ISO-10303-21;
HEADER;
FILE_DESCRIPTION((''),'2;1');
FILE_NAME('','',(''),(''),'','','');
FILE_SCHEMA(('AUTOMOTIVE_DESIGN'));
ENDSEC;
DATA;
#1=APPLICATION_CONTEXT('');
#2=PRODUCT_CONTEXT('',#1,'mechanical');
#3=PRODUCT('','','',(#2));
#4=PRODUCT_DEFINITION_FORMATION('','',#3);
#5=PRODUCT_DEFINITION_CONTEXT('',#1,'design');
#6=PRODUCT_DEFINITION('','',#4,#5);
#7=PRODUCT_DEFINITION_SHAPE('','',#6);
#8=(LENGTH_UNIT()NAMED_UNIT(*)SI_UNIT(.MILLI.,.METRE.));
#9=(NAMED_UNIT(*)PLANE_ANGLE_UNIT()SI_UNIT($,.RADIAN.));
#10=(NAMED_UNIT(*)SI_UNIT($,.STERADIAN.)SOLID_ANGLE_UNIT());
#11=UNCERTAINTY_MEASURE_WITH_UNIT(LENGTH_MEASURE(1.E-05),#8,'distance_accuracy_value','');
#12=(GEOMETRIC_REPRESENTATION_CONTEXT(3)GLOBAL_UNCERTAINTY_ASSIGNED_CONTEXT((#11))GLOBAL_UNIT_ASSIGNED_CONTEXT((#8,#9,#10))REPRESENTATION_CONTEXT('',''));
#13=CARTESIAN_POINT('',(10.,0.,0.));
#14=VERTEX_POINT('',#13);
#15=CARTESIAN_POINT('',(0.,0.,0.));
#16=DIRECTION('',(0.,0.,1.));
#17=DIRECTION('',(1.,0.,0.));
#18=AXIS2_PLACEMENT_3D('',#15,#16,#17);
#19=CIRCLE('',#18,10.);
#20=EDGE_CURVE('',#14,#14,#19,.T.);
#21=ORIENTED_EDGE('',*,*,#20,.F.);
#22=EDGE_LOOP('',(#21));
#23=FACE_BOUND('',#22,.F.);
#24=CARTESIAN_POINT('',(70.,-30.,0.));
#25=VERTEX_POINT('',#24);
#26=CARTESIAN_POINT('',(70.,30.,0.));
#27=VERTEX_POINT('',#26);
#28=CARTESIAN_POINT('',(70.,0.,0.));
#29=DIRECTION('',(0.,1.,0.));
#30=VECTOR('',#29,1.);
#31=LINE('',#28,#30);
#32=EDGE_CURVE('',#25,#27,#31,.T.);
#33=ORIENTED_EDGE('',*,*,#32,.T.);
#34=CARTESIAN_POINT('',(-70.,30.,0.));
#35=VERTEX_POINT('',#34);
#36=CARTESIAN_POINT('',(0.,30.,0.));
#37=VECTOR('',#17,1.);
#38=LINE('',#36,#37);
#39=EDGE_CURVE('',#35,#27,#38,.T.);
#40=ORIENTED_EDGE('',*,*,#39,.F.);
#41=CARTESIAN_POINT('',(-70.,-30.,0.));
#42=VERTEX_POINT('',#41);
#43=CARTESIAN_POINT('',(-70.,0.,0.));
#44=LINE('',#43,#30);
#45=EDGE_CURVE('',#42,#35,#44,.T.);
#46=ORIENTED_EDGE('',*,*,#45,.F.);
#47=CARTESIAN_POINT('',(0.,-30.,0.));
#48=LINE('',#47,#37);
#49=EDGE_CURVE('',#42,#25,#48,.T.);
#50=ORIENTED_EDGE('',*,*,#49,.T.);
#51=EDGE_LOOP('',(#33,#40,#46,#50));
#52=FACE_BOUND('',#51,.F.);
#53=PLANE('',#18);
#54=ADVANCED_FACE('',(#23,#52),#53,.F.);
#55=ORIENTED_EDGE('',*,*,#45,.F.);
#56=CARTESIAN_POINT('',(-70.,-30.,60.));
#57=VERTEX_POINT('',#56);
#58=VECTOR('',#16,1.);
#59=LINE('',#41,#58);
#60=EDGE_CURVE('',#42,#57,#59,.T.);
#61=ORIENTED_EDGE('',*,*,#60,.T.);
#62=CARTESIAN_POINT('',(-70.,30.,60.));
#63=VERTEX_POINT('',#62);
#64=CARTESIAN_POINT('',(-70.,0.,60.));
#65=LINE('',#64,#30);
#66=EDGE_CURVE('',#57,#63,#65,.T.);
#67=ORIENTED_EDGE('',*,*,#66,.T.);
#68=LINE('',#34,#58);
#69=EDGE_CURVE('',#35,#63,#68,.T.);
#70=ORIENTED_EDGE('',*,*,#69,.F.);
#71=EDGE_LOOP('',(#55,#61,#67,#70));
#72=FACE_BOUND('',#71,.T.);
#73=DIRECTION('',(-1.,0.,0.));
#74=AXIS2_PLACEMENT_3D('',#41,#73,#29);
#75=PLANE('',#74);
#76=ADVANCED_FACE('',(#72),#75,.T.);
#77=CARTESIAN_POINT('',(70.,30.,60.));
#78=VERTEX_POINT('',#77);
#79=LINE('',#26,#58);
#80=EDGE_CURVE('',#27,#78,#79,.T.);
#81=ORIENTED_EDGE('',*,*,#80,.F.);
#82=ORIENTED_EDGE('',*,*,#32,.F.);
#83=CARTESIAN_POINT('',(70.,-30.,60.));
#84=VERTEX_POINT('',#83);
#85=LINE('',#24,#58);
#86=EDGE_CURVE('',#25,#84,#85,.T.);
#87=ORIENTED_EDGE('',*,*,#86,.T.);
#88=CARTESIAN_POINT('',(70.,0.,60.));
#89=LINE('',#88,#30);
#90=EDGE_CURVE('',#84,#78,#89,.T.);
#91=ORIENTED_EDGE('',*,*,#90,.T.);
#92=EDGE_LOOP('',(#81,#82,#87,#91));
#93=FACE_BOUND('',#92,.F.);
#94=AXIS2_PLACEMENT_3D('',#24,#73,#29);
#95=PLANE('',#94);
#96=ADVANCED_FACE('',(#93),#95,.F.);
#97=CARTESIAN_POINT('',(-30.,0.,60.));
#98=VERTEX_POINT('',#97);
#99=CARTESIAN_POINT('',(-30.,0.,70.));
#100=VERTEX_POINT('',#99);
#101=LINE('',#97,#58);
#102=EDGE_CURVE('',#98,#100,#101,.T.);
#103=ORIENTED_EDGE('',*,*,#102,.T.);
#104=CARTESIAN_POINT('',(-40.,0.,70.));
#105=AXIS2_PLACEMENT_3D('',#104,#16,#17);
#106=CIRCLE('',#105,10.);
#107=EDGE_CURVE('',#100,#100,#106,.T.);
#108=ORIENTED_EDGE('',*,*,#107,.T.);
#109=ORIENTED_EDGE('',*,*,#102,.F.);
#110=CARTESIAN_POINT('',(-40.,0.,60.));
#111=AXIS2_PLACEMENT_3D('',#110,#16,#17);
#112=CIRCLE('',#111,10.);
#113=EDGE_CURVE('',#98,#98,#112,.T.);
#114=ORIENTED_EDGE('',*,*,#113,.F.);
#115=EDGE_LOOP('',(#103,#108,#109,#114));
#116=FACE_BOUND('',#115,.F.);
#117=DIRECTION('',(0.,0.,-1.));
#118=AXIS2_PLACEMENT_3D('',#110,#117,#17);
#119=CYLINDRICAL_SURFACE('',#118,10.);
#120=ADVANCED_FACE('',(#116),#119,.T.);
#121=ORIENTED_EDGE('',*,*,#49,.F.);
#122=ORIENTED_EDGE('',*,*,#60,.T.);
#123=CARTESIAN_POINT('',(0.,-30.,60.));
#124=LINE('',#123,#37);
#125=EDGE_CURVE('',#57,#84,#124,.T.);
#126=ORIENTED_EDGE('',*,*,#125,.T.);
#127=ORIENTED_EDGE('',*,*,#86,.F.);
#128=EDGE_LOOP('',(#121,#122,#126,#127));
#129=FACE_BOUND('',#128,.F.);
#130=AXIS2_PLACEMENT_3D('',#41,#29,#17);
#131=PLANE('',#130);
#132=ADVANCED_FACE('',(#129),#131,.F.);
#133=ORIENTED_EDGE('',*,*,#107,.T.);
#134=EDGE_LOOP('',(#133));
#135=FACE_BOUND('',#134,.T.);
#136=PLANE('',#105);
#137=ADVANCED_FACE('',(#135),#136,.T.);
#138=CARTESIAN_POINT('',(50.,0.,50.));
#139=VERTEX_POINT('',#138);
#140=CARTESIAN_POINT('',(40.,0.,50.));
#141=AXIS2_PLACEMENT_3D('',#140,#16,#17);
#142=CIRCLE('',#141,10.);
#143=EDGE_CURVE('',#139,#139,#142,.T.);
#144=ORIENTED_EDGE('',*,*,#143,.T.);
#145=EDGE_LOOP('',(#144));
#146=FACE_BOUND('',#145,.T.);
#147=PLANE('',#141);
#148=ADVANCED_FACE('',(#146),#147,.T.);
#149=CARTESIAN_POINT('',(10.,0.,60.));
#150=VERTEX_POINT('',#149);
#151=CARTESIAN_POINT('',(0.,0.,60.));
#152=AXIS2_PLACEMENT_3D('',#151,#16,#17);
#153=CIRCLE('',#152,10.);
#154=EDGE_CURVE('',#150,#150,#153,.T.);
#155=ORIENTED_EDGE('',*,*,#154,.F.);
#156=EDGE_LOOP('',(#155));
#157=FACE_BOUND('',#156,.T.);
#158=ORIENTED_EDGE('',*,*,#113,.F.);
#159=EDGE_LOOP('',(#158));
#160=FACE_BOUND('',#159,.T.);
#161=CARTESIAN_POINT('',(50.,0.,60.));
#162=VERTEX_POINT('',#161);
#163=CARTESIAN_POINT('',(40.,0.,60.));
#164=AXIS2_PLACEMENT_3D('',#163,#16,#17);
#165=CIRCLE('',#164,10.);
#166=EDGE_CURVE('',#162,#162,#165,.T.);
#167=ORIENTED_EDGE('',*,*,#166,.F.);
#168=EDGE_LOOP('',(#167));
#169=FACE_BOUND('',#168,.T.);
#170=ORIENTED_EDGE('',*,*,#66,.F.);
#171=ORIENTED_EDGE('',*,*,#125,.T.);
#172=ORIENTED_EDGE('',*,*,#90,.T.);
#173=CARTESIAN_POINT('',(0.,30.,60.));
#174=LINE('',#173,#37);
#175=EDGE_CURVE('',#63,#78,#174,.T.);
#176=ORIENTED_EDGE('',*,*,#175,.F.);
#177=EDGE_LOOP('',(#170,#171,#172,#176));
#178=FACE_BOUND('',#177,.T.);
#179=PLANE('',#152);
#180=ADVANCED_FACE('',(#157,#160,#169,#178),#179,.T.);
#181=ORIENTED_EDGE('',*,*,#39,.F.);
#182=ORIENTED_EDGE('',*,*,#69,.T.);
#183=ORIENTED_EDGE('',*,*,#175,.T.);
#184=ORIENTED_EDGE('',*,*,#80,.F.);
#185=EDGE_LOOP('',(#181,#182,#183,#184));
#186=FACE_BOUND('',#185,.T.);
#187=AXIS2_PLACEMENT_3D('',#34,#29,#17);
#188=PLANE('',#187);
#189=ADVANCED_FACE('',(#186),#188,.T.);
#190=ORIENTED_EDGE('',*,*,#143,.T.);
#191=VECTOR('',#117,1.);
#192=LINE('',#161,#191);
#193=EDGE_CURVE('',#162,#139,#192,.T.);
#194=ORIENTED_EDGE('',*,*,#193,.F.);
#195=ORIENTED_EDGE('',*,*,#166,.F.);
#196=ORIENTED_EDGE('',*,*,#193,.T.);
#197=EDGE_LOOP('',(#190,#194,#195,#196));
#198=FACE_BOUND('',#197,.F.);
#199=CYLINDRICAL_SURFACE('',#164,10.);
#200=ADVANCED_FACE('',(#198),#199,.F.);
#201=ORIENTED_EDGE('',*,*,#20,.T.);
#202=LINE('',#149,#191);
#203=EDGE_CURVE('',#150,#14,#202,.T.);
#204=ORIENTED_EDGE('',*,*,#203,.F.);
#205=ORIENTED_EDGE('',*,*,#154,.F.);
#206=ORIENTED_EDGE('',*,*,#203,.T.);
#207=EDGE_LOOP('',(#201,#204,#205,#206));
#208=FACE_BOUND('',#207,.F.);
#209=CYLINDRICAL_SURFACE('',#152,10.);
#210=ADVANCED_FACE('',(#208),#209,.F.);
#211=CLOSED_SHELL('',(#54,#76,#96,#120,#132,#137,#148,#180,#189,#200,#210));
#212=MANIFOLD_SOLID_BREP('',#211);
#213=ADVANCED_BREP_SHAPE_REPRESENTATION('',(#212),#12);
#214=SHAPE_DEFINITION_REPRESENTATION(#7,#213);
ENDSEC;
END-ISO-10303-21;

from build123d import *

# Parameters (mm, degrees)
F0_W     = 140
F0_H     = 60
F1_DEPTH = 60
F2_R     = 10
F5_DEPTH = 10
F3_R     = 10
F6_DEPTH = 95.9
F4_R     = 10
F7_DEPTH = 10


with BuildPart() as f1:
    # F0 (on Top) → F1 (new body)
    with BuildSketch(Plane.XY):
        Rectangle(F0_W, F0_H)
    extrude(amount=F1_DEPTH)

    # F2 (on face) → F5 (join)
    with BuildSketch(Plane.XY.offset(60)):
        with Locations((-40, 0)):
            Circle(F2_R)
    extrude(amount=F5_DEPTH)

    # F3 (on face) → F6 (cut)
    with BuildSketch(Plane.XY.offset(60)):
        Circle(F3_R)
    extrude(amount=-F6_DEPTH, mode=Mode.SUBTRACT)

    # F4 (on face) → F7 (cut)
    with BuildSketch(Plane.XY.offset(60)):
        with Locations((40, 0)):
            Circle(F4_R)
    extrude(amount=-F7_DEPTH, mode=Mode.SUBTRACT)


solid = f1.part
